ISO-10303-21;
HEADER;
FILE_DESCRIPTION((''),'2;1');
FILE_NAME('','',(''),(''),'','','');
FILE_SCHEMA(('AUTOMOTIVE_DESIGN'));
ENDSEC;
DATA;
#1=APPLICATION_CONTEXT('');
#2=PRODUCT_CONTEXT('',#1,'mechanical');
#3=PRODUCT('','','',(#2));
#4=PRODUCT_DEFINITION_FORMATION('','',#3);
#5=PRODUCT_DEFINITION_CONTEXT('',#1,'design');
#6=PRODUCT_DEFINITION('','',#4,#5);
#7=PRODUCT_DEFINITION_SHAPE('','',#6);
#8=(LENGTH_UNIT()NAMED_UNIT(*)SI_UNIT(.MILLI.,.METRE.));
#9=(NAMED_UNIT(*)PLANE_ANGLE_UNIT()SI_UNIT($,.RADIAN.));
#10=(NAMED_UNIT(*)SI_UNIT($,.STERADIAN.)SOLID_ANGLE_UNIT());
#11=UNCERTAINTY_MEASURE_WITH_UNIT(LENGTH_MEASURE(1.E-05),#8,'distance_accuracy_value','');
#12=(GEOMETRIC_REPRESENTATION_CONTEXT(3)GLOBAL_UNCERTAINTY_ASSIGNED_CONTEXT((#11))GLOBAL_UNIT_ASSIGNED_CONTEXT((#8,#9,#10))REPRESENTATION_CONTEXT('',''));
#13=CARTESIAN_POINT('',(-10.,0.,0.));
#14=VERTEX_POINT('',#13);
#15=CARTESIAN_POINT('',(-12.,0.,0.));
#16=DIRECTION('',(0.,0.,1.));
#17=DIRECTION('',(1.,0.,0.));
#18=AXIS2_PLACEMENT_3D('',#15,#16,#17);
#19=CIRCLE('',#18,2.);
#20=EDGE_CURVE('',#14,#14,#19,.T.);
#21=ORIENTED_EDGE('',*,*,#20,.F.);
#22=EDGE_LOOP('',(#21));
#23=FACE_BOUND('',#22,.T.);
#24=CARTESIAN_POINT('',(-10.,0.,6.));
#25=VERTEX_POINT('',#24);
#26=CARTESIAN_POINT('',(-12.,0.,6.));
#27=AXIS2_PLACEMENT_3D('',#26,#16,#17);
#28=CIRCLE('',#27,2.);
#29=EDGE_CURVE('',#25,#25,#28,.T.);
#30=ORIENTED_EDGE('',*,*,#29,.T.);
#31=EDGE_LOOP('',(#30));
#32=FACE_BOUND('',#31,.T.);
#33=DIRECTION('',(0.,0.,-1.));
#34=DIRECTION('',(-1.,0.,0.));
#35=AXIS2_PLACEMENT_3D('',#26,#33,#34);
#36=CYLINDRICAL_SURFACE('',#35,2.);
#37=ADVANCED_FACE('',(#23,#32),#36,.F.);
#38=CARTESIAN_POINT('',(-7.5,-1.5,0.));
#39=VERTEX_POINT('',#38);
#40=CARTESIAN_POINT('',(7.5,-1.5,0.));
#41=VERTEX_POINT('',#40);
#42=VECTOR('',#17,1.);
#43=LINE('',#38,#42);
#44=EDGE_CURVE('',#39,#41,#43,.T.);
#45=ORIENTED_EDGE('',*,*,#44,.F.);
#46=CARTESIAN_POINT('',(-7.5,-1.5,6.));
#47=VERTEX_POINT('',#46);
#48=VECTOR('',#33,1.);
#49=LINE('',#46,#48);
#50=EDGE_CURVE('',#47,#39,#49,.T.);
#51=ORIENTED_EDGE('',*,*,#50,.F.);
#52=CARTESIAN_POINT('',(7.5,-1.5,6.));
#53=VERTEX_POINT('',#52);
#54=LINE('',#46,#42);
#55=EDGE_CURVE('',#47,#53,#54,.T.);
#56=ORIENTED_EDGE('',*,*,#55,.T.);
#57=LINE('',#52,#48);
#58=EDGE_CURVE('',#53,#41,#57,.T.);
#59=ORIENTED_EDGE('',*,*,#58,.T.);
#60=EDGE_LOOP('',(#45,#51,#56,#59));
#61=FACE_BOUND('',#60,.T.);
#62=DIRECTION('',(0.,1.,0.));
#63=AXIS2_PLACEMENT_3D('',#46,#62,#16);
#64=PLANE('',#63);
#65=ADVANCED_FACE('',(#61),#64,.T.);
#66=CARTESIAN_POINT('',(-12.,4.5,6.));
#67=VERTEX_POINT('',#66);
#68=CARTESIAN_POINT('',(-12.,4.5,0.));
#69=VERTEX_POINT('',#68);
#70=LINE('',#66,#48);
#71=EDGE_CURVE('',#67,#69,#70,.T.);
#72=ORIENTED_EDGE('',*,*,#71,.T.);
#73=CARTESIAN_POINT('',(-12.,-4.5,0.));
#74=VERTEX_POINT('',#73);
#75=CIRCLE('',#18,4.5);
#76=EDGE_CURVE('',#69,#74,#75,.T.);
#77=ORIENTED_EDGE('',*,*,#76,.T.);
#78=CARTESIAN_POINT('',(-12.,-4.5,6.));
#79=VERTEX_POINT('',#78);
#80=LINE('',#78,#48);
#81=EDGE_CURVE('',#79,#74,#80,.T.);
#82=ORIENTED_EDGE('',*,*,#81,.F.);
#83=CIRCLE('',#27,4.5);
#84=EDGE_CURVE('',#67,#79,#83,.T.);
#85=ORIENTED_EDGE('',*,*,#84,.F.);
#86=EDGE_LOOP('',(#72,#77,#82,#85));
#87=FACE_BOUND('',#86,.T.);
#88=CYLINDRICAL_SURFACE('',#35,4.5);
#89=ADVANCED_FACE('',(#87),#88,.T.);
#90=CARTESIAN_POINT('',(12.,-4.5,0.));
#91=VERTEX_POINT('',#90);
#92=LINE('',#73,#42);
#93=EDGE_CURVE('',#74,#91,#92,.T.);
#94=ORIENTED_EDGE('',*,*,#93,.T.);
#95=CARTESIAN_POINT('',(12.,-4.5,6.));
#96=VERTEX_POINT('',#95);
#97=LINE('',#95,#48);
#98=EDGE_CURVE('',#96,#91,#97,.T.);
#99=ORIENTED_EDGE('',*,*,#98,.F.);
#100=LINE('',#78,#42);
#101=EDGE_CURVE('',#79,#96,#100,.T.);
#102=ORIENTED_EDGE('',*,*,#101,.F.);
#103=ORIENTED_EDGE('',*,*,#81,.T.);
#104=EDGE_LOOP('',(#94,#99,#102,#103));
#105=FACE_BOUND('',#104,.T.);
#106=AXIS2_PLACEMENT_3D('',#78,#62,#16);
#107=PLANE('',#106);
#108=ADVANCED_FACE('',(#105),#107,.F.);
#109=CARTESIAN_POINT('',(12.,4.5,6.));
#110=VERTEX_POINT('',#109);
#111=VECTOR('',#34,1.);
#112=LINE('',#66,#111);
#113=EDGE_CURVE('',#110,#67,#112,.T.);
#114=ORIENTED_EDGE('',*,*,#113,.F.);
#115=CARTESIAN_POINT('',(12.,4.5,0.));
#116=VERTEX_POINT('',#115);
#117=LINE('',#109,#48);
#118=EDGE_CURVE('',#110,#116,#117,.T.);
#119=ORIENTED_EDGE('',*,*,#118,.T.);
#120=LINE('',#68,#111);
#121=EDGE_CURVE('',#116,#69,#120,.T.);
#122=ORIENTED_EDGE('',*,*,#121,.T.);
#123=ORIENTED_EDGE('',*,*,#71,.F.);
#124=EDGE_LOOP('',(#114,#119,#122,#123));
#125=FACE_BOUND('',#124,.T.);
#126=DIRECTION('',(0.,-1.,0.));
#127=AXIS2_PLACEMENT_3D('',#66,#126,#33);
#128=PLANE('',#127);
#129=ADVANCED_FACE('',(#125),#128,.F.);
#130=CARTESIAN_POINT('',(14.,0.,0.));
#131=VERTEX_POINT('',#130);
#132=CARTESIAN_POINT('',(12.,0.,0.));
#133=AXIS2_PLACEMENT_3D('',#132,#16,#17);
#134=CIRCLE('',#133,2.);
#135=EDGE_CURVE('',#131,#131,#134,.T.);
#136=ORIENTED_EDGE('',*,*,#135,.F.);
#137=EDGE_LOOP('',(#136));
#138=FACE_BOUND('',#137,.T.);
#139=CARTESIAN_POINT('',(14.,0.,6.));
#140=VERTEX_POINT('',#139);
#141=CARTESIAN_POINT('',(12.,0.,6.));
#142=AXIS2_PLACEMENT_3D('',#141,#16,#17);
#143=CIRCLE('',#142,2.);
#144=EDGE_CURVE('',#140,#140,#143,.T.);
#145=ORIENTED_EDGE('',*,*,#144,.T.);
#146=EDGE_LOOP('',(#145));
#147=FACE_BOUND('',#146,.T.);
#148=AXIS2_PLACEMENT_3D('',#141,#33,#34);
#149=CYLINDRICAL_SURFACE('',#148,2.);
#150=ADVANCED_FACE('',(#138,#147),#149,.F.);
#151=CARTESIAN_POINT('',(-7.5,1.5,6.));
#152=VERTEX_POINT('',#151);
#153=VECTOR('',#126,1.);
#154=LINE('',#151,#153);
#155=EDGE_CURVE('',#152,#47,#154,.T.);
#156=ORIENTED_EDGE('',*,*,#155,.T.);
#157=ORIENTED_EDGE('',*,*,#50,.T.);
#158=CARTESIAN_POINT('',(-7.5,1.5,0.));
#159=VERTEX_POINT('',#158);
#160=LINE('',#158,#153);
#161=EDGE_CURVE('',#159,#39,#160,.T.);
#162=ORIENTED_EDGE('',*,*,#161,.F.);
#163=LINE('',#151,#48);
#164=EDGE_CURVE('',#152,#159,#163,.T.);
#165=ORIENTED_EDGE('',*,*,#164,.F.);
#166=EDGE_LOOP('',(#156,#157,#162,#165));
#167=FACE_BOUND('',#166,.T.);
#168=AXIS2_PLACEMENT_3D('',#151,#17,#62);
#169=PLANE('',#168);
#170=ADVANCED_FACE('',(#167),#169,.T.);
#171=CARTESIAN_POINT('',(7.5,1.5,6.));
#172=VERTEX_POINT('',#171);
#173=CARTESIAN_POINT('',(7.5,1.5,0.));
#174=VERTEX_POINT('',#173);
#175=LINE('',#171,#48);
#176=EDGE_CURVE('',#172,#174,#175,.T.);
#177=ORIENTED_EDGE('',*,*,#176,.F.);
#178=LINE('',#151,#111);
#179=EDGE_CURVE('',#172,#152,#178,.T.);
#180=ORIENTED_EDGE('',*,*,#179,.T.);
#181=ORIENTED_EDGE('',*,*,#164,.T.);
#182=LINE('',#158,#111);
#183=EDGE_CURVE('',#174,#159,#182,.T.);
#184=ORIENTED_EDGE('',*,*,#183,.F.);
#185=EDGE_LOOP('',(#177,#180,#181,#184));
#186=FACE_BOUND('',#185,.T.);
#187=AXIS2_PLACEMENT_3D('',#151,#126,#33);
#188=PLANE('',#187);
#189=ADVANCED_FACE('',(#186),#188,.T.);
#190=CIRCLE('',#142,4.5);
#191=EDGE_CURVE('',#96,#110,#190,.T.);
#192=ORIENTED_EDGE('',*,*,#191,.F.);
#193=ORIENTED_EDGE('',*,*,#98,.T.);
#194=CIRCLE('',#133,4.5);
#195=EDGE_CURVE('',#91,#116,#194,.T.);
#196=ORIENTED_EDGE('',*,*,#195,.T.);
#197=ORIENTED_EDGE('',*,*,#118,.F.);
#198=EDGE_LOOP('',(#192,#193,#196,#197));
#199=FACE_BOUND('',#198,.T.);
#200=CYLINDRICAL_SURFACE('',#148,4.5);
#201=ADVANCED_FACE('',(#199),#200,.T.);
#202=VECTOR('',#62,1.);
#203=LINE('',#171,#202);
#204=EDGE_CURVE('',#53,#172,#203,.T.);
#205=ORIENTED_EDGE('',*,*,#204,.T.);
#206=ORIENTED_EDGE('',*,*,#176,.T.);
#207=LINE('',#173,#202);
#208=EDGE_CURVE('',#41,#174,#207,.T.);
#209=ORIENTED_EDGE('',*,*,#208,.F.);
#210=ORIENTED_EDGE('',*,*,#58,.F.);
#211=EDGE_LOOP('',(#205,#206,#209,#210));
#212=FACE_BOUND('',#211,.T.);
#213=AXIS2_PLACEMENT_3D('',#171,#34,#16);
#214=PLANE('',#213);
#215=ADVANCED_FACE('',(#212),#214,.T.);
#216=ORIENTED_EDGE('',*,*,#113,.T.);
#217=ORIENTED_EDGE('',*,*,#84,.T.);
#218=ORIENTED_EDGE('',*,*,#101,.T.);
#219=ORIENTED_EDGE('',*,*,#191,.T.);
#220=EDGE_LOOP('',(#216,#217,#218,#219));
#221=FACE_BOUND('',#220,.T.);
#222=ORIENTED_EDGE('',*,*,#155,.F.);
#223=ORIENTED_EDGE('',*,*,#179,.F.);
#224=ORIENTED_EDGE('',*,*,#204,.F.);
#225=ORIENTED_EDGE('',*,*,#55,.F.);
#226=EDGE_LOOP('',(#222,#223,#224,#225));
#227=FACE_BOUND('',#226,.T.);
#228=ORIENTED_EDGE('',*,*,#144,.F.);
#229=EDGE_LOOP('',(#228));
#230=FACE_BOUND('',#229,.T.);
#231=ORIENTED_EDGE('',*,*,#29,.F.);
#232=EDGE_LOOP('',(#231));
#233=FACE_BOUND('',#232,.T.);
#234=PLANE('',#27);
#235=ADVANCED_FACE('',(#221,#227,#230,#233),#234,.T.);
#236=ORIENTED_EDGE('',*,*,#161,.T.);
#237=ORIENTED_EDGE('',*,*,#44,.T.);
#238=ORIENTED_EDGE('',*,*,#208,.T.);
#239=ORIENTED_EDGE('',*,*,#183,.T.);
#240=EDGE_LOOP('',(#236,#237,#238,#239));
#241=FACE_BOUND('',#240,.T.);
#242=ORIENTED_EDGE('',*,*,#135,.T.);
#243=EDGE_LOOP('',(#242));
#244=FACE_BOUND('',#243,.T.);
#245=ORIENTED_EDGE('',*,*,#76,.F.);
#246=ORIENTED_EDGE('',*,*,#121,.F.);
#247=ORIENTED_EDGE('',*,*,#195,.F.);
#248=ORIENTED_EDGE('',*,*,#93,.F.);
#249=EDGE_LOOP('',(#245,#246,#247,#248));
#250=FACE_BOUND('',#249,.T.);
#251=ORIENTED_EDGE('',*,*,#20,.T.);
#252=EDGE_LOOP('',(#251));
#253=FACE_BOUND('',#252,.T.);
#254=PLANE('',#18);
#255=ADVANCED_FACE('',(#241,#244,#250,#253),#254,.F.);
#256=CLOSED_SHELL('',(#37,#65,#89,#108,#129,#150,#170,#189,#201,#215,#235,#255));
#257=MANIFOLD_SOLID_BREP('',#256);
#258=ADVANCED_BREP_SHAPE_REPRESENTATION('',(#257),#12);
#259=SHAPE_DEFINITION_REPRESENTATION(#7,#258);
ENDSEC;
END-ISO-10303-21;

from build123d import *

# Parameters (mm, degrees)
SKETCH1_R           = 2
SKETCH1_W           = 15
SKETCH1_H           = 3
BOSS_EXTRUDE1_DEPTH = 6


with BuildPart() as part:
    # Sketch1 → Boss-Extrude1 (new body)
    with BuildSketch(Plane.XY):
        with BuildLine():
            Line((-12, 4.5), (12, 4.5))
            ThreePointArc((12, 4.5), (16.5, 0), (12, -4.5))
            Line((12, -4.5), (-12, -4.5))
            ThreePointArc((-12, -4.5), (-16.5, 0), (-12, 4.5))
        make_face()
        with Locations((-12, 0)):
            Circle(SKETCH1_R, mode=Mode.SUBTRACT)
        with Locations((12, 0)):
            Circle(SKETCH1_R, mode=Mode.SUBTRACT)
        Rectangle(SKETCH1_W, SKETCH1_H, mode=Mode.SUBTRACT)
    extrude(amount=BOSS_EXTRUDE1_DEPTH)


solid = part.part
